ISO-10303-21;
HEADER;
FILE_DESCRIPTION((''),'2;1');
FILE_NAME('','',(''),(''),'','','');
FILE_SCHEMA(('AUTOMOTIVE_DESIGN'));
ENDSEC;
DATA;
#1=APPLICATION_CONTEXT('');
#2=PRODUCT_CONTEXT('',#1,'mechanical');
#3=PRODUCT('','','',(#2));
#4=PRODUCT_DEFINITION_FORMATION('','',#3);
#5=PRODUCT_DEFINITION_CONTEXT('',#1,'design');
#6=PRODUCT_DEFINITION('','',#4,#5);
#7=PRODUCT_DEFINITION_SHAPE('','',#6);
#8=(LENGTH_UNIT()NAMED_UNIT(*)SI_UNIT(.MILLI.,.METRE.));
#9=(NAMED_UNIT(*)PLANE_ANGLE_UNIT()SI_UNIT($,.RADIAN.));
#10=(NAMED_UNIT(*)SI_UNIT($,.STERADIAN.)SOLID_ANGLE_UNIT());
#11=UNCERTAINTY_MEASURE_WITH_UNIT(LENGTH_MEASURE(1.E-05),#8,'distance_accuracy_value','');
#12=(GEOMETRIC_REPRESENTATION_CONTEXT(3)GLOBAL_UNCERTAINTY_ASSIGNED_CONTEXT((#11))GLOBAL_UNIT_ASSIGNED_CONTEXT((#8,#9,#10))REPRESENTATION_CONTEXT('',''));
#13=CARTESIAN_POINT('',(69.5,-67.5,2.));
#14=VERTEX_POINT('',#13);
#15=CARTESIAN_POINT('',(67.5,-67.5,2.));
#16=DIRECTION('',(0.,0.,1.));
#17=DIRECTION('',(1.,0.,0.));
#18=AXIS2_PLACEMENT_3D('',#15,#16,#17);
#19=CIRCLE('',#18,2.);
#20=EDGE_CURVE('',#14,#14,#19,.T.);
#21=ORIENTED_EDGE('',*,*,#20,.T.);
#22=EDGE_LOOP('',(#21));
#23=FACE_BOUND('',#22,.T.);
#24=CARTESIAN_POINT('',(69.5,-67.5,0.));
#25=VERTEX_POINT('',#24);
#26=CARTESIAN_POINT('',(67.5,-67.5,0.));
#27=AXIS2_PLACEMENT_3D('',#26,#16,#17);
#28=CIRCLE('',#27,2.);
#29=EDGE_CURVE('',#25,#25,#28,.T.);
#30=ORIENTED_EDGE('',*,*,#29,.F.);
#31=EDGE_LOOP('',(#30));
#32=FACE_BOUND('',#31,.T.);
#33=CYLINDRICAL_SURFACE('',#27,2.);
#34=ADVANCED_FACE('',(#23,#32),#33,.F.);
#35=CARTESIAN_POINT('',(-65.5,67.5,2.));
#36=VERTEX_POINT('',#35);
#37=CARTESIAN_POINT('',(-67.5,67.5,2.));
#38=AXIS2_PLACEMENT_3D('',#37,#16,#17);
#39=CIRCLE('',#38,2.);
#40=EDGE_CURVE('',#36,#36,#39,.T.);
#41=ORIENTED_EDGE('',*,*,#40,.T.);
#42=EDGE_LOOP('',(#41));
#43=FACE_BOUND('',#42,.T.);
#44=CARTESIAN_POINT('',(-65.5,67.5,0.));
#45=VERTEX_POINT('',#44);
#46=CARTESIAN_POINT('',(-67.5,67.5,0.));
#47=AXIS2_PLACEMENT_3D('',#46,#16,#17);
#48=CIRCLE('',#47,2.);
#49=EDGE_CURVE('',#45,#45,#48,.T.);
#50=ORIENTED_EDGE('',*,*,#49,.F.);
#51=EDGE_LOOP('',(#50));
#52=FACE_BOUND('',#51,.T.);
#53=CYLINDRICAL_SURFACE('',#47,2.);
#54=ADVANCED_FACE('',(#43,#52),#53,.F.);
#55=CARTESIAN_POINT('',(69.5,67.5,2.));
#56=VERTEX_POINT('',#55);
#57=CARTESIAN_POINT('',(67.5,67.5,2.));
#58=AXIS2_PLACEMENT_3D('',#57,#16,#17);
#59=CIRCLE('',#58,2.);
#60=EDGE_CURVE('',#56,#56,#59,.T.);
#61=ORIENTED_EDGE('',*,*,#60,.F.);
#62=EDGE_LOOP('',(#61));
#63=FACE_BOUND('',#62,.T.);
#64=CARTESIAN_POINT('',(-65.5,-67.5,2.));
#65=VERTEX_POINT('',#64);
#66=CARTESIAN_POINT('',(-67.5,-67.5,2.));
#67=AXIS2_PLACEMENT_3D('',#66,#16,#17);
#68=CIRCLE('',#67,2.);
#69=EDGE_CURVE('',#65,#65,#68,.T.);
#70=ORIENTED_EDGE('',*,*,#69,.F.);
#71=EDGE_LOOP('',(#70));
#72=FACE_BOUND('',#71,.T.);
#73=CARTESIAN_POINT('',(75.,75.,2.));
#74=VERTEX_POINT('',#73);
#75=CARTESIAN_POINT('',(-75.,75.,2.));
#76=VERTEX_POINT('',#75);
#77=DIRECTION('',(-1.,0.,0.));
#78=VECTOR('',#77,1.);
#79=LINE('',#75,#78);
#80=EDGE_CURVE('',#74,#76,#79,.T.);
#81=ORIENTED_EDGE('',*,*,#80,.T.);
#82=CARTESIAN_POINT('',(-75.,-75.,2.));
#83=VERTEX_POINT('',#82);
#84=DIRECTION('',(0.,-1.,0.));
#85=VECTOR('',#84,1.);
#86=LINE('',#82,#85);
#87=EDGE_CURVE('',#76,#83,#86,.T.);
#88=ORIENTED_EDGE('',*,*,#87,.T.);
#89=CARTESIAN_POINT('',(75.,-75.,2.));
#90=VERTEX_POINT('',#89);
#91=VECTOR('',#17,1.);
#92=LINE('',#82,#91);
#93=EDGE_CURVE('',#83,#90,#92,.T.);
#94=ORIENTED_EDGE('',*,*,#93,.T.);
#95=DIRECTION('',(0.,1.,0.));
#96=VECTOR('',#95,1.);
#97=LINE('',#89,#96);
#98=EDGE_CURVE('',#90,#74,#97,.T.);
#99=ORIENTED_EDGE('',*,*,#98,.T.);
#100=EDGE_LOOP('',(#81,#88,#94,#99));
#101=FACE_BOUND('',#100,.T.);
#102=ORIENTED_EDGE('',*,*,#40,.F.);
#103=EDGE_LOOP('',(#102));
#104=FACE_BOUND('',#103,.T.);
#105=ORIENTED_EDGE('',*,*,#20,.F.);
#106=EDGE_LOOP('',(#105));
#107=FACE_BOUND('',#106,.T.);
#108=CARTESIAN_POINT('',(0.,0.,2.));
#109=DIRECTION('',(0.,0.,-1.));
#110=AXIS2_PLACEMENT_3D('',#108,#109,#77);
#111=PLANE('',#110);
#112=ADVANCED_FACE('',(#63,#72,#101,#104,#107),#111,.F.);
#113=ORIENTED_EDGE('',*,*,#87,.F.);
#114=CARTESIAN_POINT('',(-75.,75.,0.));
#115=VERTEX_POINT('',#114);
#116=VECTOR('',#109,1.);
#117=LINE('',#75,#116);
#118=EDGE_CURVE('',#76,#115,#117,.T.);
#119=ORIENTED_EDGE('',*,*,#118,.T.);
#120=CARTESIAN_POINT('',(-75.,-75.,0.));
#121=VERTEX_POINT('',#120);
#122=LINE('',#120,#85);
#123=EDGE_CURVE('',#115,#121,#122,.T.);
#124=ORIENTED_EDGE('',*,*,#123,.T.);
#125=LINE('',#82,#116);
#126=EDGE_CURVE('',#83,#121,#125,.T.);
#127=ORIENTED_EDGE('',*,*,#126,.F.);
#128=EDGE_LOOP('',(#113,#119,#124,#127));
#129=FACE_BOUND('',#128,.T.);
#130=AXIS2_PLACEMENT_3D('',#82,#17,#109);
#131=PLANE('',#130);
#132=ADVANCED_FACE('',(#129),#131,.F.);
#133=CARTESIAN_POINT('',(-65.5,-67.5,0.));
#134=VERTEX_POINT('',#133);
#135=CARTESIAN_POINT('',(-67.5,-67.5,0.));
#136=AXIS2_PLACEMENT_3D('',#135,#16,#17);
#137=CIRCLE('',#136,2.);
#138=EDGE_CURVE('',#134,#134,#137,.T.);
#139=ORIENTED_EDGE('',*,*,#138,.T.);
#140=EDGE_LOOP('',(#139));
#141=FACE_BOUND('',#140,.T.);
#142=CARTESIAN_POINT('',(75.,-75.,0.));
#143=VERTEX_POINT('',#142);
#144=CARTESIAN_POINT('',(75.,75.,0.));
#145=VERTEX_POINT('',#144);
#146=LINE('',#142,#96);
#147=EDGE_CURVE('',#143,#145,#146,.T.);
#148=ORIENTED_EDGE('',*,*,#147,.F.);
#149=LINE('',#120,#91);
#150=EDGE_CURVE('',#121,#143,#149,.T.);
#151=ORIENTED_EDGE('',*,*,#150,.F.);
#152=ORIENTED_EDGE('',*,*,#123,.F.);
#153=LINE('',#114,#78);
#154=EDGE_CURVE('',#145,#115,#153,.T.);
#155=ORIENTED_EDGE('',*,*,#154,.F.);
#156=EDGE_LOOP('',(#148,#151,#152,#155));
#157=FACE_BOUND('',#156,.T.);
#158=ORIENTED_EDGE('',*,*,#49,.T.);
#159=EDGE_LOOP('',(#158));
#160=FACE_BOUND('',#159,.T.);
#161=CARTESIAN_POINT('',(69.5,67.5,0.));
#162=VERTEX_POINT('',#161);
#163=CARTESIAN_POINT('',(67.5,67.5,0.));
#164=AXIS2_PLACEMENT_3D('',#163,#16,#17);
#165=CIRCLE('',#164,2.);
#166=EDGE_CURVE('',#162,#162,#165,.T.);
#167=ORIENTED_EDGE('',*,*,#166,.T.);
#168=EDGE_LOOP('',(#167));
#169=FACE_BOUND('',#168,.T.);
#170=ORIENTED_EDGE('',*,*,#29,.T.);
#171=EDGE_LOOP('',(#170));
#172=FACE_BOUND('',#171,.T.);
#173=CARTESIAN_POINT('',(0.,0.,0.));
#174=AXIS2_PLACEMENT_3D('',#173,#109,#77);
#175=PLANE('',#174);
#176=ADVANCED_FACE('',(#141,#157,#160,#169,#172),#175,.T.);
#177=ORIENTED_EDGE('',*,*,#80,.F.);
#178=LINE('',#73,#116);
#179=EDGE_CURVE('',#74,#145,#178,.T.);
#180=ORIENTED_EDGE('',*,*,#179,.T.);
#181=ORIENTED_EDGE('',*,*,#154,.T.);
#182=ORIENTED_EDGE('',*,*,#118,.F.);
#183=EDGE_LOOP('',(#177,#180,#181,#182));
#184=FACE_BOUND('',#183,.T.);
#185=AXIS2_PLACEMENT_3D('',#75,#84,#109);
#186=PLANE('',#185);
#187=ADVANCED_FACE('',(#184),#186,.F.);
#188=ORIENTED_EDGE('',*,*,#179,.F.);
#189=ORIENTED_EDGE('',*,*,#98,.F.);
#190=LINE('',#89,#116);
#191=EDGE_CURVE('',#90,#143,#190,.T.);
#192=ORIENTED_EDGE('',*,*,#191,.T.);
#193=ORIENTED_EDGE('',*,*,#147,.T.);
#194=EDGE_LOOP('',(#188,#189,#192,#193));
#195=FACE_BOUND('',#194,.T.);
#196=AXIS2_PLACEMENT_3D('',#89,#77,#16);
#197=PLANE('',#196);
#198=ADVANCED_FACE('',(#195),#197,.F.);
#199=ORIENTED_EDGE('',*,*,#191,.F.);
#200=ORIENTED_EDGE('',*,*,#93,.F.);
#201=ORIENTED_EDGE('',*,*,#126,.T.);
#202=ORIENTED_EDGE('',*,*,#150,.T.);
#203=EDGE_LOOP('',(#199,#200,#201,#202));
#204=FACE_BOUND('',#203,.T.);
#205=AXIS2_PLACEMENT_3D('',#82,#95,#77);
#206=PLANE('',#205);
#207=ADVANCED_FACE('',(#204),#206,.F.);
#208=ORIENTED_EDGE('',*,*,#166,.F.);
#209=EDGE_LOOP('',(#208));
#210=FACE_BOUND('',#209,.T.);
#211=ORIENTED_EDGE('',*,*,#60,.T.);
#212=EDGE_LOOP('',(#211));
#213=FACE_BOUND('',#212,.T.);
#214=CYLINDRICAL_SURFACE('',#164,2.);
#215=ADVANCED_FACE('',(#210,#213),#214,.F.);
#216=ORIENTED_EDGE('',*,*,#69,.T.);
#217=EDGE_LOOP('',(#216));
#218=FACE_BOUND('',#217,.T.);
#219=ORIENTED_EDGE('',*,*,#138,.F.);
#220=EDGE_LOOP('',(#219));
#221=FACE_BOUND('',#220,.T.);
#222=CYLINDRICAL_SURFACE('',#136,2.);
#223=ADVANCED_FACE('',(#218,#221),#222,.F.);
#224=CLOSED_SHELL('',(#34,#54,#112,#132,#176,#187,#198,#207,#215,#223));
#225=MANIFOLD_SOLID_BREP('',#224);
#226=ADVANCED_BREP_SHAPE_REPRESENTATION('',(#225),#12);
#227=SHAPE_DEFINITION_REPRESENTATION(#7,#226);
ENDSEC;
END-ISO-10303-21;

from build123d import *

# Parameters (mm, degrees)
CROQUIS1_W              = 150
CROQUIS1_H              = 150
SALIENTE_EXTRUIR1_DEPTH = 2
CROQUIS3_R              = 2
CORTAR_EXTRUIR2_DEPTH   = 2


with BuildPart() as part:
    # Croquis1 → Saliente-Extruir1 (new body)
    with BuildSketch(Plane.XY):
        Rectangle(CROQUIS1_W, CROQUIS1_H)
    extrude(amount=SALIENTE_EXTRUIR1_DEPTH)

    # Croquis3 → Cortar-Extruir2 (cut)
    with BuildSketch(Plane.XY.offset(2)):
        with Locations((-67.5, -67.5)):
            Circle(CROQUIS3_R)
        with Locations((67.5, -67.5)):
            Circle(CROQUIS3_R)
        with Locations((67.5, 67.5)):
            Circle(CROQUIS3_R)
        with Locations((-67.5, 67.5)):
            Circle(CROQUIS3_R)
    extrude(amount=-CORTAR_EXTRUIR2_DEPTH, mode=Mode.SUBTRACT)


solid = part.part
